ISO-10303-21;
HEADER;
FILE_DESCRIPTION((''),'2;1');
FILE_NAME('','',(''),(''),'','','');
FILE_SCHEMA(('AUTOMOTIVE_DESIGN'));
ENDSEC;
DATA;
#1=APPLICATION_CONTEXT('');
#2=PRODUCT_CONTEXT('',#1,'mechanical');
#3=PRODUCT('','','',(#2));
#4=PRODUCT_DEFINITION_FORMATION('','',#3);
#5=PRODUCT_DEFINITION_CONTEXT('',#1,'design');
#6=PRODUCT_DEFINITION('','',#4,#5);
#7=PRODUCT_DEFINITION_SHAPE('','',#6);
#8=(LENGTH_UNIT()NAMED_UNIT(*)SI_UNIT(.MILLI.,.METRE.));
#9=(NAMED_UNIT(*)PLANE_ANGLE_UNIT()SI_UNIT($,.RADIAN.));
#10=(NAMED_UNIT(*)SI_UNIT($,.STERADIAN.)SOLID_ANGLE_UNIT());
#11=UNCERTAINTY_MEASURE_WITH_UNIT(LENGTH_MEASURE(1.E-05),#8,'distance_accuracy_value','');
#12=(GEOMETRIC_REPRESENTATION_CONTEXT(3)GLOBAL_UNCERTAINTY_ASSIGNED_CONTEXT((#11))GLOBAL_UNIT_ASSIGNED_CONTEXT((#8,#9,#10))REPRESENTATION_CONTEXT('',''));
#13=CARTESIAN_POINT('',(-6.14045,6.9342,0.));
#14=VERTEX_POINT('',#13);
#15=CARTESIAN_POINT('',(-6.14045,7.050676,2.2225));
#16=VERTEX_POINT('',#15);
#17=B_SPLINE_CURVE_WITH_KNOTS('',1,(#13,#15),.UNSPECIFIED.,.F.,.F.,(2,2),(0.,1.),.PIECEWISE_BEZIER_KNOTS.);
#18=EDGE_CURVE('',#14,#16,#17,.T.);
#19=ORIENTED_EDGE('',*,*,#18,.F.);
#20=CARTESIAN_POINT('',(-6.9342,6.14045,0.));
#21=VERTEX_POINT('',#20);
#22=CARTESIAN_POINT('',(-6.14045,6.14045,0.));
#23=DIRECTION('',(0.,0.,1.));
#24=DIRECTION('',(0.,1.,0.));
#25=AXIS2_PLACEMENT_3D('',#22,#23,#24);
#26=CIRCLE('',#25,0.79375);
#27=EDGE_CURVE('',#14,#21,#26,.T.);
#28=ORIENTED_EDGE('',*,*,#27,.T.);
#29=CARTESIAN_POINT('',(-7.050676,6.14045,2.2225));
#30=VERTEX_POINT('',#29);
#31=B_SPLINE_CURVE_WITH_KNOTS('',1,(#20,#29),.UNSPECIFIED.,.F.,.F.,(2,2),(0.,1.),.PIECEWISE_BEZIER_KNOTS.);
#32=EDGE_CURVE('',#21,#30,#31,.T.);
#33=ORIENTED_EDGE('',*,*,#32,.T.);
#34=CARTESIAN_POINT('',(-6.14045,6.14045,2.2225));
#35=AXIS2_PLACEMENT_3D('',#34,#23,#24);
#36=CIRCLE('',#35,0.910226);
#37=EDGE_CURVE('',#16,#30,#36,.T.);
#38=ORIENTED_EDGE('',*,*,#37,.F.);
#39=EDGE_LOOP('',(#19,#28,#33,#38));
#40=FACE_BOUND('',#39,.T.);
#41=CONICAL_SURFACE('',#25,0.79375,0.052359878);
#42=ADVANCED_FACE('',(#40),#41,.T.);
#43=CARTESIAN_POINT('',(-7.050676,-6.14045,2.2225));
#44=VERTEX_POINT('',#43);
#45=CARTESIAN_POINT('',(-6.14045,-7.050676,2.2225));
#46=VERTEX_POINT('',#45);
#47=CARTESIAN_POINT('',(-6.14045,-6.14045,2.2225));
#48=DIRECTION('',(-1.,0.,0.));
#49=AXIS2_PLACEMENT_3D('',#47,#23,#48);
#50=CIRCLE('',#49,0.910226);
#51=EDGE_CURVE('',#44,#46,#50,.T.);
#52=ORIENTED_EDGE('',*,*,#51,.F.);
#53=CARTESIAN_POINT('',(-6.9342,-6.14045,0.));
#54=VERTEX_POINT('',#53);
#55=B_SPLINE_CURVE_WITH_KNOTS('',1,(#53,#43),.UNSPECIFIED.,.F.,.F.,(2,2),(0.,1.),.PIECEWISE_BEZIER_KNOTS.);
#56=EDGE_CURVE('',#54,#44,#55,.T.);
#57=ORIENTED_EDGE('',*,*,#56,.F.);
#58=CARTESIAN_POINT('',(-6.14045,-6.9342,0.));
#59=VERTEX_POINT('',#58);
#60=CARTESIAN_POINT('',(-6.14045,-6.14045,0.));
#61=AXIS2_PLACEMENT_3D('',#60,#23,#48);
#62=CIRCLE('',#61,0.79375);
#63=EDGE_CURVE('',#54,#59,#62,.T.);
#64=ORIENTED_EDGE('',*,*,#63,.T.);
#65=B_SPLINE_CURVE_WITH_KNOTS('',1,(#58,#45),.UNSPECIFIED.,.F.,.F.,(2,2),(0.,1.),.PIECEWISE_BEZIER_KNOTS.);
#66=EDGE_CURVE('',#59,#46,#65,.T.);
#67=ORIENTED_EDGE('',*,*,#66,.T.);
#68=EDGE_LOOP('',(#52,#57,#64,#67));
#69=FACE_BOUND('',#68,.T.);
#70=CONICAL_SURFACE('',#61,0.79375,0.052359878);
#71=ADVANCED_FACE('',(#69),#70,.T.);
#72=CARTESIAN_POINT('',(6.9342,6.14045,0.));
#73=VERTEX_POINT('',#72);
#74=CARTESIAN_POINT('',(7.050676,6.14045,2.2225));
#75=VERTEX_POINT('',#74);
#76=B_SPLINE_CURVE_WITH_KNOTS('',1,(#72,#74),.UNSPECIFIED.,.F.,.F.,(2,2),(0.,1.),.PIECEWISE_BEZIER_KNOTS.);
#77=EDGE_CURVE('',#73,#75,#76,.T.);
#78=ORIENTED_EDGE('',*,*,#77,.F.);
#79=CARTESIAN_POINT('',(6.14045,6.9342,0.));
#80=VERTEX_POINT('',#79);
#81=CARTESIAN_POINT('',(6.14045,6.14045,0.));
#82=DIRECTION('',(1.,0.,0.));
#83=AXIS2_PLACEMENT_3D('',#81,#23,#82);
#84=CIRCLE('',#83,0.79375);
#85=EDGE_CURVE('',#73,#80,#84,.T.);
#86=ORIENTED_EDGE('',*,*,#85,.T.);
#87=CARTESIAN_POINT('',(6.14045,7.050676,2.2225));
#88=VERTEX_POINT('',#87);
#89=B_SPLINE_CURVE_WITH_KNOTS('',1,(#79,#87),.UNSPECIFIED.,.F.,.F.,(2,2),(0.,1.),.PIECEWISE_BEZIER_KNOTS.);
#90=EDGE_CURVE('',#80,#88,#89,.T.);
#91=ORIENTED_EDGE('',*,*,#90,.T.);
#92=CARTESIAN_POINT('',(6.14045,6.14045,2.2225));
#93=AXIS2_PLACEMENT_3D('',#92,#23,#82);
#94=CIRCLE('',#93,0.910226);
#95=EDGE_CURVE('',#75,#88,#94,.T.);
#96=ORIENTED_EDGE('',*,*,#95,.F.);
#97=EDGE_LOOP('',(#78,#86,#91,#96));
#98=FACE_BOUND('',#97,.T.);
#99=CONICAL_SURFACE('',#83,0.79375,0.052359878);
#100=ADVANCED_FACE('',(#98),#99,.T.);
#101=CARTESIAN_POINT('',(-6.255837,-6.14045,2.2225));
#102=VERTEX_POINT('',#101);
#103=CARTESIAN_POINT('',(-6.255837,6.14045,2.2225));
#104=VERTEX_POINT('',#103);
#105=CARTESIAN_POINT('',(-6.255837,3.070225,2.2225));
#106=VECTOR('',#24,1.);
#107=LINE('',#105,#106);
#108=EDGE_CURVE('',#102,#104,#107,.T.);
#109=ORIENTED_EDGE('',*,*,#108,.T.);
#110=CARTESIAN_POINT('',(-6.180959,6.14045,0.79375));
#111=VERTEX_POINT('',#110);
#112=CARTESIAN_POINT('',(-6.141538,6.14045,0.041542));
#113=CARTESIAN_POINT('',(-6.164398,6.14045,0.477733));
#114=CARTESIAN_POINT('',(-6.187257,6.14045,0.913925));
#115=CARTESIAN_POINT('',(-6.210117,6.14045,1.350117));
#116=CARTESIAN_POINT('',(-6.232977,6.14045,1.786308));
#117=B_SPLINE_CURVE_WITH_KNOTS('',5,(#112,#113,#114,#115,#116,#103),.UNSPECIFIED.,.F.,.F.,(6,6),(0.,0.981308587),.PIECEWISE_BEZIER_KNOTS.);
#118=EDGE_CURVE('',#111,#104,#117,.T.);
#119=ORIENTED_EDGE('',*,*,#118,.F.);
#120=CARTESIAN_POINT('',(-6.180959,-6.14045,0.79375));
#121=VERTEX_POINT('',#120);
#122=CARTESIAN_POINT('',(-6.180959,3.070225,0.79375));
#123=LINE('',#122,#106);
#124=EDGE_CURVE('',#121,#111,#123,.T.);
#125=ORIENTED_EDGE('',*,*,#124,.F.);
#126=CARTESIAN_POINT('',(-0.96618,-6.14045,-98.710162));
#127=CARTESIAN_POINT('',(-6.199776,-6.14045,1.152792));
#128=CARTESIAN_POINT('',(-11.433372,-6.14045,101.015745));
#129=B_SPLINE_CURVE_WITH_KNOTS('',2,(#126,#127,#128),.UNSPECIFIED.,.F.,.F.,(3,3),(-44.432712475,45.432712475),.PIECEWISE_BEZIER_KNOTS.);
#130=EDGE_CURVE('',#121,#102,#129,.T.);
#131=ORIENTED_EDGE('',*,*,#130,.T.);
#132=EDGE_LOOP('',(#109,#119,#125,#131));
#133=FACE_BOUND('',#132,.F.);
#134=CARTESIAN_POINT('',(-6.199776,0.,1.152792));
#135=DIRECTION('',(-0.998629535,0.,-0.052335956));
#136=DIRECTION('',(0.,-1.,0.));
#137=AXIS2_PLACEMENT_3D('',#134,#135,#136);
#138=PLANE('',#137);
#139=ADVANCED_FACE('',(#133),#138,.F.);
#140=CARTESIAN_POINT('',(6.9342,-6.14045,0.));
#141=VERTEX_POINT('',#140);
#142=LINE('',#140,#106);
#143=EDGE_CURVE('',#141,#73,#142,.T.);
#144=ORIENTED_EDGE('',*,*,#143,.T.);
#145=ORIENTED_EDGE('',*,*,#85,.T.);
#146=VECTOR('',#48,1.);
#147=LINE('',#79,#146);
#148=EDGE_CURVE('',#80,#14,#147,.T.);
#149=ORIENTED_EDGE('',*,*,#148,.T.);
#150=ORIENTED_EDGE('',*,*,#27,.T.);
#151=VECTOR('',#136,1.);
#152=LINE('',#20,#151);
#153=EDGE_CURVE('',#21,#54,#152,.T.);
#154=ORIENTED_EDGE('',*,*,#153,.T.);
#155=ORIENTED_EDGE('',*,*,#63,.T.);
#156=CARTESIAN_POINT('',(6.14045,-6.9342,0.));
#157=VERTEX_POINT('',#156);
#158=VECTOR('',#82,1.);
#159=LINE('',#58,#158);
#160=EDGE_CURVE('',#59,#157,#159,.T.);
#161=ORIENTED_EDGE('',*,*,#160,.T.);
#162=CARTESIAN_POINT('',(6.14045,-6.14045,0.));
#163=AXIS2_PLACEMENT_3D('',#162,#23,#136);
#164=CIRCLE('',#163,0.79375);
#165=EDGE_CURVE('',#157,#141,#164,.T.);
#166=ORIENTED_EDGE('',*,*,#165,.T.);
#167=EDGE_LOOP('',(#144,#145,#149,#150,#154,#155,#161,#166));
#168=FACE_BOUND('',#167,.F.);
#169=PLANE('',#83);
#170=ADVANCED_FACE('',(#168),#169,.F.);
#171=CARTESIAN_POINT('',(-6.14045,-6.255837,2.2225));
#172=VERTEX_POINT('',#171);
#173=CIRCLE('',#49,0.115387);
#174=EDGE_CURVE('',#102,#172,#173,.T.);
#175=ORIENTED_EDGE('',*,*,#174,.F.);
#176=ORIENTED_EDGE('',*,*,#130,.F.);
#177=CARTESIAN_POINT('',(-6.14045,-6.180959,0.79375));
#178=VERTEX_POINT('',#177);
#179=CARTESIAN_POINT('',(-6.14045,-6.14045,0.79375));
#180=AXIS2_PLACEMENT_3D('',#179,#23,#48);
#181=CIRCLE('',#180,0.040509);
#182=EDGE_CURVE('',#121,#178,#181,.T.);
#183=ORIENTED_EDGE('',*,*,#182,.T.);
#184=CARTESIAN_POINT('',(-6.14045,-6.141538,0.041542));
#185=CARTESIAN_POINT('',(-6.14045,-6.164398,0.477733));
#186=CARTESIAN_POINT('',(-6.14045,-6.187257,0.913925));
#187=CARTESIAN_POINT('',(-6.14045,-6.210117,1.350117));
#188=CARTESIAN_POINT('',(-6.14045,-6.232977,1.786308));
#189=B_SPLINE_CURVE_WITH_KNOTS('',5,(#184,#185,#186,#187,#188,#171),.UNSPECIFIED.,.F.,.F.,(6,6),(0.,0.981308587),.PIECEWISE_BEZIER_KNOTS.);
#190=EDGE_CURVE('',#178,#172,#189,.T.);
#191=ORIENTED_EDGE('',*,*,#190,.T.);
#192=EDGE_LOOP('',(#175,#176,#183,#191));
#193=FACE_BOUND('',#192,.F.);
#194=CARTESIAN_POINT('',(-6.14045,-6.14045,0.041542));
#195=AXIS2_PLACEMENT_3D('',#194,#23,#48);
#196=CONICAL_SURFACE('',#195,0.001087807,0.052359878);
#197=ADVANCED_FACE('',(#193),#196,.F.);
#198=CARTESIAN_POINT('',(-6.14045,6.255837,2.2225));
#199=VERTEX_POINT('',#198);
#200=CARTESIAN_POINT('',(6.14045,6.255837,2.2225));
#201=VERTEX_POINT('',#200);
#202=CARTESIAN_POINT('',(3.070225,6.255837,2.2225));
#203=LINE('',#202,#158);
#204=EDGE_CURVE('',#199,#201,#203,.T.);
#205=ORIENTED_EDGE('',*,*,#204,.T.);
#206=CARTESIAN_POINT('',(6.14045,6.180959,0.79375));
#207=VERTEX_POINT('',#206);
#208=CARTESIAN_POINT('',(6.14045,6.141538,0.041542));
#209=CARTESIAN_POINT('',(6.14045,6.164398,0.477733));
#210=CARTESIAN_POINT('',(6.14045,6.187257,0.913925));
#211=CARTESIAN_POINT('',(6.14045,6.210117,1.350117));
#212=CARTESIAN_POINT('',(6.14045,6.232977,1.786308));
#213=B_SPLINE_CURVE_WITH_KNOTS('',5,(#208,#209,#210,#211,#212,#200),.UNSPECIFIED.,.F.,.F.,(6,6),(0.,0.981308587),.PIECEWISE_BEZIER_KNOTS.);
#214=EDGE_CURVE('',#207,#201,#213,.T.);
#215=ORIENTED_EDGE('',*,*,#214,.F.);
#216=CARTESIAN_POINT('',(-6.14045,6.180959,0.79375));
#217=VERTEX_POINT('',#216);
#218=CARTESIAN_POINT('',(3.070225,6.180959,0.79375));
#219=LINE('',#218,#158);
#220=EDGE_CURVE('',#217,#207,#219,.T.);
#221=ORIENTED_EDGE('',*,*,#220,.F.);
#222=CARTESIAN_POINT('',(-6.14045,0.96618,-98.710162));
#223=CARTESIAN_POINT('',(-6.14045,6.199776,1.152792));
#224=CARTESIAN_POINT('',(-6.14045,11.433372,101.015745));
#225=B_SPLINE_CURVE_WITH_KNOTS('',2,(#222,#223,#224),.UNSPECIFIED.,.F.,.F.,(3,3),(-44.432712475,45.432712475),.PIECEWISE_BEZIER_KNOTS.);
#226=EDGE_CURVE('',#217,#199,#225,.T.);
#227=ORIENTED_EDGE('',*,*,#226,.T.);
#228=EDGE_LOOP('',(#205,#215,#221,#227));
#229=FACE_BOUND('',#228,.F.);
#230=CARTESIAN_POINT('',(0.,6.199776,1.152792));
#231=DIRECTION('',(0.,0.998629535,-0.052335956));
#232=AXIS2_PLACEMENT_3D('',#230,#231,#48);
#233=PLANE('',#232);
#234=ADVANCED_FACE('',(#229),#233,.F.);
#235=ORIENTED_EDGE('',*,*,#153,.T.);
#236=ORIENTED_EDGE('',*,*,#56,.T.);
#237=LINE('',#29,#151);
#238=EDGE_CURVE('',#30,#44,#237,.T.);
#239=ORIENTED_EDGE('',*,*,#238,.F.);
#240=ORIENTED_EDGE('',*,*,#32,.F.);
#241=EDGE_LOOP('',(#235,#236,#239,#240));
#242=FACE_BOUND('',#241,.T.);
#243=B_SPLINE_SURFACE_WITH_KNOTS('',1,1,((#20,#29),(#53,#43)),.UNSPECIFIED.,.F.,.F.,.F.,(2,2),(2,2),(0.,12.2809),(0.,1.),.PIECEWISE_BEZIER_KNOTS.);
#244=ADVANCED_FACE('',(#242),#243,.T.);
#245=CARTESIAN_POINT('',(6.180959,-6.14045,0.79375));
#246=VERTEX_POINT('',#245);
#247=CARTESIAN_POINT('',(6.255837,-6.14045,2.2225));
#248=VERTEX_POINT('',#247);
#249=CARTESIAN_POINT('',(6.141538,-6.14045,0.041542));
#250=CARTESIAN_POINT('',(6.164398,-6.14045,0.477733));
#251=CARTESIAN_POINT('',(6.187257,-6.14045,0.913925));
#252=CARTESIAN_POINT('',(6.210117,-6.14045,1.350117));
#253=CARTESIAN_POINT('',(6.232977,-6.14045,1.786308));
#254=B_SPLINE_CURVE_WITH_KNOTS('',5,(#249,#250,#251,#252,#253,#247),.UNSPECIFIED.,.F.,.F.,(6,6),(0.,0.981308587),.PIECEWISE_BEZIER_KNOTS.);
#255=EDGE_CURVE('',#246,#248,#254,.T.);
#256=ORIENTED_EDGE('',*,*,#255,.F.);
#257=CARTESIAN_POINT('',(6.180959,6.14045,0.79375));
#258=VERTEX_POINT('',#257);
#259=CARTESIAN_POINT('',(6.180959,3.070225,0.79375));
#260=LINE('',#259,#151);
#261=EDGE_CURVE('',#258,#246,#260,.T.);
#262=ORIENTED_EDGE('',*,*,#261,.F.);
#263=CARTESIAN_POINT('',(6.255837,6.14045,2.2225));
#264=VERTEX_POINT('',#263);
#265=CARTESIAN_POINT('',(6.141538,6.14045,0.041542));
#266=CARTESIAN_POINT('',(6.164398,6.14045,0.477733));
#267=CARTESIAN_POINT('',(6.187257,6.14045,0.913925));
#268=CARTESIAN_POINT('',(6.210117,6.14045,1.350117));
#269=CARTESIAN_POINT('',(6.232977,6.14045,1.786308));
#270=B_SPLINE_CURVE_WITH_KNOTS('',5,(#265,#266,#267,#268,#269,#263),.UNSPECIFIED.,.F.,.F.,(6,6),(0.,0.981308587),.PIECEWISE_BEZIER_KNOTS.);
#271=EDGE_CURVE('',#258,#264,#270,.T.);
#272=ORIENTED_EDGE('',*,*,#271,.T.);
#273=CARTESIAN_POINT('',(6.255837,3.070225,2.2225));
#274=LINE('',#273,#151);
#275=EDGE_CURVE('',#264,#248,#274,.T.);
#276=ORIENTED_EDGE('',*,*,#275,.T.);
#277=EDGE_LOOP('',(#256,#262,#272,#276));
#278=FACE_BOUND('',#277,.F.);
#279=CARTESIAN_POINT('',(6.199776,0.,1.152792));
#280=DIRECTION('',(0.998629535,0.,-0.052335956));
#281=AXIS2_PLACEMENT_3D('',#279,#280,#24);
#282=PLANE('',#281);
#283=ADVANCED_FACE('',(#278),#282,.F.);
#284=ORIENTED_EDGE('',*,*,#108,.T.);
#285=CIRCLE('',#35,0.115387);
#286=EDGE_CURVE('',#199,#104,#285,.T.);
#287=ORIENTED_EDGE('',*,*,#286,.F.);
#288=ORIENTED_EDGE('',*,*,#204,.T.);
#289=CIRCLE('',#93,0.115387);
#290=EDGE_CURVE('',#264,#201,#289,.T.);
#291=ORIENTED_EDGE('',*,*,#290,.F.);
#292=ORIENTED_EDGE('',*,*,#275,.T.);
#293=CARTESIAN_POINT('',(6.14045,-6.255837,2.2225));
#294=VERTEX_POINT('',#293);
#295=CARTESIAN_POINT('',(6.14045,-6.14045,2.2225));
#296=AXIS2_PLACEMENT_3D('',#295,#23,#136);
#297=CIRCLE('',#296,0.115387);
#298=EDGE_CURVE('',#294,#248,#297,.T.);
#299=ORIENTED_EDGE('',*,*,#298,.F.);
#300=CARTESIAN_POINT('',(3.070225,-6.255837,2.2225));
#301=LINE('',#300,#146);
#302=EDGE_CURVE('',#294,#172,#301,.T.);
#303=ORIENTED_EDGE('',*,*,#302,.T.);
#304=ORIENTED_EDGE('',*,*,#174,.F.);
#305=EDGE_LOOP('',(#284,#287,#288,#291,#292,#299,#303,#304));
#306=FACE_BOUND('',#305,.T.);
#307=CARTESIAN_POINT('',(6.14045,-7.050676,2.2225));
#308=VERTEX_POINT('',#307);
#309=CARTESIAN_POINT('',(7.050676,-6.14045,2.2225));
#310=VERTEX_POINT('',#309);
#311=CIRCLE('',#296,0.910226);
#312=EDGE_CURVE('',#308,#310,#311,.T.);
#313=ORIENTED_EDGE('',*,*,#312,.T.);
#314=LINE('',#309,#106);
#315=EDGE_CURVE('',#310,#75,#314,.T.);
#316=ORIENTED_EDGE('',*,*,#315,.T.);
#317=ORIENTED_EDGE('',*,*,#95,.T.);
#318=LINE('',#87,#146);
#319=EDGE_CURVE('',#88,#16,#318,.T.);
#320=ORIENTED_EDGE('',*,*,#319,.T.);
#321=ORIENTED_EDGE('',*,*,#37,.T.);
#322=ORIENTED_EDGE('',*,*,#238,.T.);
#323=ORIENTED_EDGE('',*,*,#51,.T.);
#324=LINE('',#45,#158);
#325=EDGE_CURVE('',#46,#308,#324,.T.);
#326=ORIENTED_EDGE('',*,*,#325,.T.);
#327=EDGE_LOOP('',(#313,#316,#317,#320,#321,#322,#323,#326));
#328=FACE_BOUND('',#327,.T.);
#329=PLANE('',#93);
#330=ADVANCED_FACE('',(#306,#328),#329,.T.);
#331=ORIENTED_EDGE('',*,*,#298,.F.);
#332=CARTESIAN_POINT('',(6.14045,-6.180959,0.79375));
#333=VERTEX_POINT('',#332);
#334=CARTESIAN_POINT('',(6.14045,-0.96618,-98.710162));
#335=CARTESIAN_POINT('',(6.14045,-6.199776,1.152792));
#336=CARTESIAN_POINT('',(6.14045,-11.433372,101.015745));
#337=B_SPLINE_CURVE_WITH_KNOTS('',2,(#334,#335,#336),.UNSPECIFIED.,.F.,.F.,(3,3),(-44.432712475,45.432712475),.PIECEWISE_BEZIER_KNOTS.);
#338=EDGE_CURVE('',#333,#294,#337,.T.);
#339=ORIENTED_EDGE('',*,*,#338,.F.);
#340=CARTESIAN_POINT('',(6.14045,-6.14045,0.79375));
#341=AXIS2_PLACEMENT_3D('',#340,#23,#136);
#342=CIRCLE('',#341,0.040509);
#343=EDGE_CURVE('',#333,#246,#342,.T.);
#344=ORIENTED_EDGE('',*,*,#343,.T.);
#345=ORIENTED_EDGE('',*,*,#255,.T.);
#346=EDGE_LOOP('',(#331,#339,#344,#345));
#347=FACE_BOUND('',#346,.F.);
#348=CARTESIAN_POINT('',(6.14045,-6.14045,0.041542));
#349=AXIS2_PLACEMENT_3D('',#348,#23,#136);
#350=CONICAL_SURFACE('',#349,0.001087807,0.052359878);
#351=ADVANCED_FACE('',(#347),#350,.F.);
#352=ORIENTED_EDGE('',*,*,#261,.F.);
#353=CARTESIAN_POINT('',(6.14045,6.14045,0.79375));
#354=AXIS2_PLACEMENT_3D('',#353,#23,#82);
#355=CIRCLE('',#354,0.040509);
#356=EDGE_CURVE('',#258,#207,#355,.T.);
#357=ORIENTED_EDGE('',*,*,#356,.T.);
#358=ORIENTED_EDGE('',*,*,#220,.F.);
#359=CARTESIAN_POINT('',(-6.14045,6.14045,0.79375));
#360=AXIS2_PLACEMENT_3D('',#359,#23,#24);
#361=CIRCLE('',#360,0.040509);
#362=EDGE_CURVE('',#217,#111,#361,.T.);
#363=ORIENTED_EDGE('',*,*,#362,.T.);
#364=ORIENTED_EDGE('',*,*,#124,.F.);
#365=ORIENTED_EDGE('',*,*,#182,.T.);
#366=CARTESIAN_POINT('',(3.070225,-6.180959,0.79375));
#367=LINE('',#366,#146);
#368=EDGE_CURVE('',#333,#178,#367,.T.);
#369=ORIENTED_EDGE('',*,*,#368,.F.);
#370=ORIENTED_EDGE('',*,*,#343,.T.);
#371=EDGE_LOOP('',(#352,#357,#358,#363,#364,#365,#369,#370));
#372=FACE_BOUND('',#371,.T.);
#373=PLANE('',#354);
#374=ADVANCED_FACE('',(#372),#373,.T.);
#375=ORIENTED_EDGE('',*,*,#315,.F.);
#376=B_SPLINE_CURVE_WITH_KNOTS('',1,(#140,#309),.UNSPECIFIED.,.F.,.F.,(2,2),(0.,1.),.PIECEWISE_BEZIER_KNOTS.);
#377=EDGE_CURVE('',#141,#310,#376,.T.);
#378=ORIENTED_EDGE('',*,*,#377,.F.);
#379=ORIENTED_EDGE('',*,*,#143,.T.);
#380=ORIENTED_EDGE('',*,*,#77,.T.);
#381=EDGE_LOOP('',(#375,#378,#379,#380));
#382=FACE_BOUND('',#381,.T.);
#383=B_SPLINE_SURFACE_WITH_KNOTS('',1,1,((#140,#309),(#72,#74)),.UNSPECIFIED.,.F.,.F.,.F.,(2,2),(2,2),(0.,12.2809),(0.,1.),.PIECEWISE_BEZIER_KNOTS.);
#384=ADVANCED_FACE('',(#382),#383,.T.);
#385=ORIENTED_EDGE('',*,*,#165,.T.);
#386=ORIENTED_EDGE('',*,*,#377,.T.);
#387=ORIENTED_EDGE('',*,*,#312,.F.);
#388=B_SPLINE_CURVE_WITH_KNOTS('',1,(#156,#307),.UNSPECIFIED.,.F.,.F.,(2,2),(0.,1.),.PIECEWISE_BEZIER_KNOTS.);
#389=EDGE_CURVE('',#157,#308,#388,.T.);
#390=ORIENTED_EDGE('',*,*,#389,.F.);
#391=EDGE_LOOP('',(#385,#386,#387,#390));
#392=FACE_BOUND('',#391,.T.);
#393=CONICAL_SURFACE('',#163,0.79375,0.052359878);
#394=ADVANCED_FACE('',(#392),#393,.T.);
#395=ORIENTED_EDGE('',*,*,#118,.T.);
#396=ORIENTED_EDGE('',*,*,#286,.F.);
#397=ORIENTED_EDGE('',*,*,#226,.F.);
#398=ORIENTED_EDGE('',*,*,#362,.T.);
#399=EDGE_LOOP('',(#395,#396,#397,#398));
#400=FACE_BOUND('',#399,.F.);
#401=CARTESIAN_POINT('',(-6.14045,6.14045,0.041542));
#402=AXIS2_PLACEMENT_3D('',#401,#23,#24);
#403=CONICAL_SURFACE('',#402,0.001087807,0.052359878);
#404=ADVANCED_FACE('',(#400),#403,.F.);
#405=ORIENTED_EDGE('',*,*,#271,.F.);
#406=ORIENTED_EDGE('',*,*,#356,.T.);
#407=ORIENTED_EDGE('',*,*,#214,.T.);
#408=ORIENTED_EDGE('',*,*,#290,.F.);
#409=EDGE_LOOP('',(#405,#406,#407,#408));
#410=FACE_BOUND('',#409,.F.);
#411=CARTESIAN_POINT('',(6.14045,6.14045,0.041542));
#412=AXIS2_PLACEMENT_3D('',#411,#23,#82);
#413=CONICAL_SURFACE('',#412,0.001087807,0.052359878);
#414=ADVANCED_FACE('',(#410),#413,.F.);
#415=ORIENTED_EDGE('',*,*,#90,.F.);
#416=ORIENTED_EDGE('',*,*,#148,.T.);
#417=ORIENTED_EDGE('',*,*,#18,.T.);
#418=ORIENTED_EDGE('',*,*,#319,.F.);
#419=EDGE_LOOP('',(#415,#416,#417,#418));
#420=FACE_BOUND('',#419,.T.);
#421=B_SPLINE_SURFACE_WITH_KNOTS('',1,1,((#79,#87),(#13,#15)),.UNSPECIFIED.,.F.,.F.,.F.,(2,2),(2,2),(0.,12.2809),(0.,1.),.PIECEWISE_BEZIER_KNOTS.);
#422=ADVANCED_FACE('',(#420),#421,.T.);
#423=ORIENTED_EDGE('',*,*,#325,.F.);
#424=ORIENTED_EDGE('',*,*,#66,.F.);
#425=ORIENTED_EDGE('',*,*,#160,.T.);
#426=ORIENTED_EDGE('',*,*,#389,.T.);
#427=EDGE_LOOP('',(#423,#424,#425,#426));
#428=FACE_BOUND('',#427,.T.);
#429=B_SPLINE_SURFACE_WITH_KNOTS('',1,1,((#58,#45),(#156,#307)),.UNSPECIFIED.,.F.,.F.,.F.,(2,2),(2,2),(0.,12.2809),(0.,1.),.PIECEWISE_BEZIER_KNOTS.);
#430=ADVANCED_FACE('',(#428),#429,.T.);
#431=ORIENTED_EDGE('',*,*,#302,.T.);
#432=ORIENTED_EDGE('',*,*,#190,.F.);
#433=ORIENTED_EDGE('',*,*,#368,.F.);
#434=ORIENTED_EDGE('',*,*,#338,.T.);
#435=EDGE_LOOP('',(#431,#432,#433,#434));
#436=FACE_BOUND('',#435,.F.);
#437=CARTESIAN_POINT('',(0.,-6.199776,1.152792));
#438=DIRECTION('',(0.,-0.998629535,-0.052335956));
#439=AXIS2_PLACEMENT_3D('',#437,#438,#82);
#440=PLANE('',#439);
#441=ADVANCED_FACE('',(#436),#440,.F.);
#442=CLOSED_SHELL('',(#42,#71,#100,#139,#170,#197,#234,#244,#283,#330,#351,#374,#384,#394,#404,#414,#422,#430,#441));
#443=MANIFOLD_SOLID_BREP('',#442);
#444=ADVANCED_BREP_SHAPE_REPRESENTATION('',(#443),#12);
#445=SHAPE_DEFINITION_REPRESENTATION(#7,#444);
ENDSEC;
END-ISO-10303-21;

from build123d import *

# Parameters (mm, degrees)
F1_DEPTH = 2.2225
F1_TAPER = -3
F2_T     = -0.79375


with BuildPart() as f1:
    # F0 (on Top) → F1 (new body)
    with BuildSketch(Plane.XY):
        with BuildLine():
            ThreePointArc((6.9342, 6.14045), (6.7017160076, 6.7017160076), (6.14045, 6.9342))
            Line((6.14045, 6.9342), (-6.14045, 6.9342))
            ThreePointArc((-6.14045, 6.9342), (-6.7017160076, 6.7017160076), (-6.9342, 6.14045))
            Line((-6.9342, 6.14045), (-6.9342, -6.14045))
            ThreePointArc((-6.9342, -6.14045), (-6.7017160076, -6.7017160076), (-6.14045, -6.9342))
            Line((-6.14045, -6.9342), (6.14045, -6.9342))
            ThreePointArc((6.14045, -6.9342), (6.7017160076, -6.7017160076), (6.9342, -6.14045))
            Line((6.9342, -6.14045), (6.9342, 6.14045))
        make_face()
    extrude(amount=F1_DEPTH, taper=F1_TAPER)

    # F2
    f2_openings = [f1.faces().sort_by_distance(p)[0] for p in [
        (0, 0, 2.2225),
    ]]
    offset(amount=F2_T, openings=f2_openings)


solid = f1.part
